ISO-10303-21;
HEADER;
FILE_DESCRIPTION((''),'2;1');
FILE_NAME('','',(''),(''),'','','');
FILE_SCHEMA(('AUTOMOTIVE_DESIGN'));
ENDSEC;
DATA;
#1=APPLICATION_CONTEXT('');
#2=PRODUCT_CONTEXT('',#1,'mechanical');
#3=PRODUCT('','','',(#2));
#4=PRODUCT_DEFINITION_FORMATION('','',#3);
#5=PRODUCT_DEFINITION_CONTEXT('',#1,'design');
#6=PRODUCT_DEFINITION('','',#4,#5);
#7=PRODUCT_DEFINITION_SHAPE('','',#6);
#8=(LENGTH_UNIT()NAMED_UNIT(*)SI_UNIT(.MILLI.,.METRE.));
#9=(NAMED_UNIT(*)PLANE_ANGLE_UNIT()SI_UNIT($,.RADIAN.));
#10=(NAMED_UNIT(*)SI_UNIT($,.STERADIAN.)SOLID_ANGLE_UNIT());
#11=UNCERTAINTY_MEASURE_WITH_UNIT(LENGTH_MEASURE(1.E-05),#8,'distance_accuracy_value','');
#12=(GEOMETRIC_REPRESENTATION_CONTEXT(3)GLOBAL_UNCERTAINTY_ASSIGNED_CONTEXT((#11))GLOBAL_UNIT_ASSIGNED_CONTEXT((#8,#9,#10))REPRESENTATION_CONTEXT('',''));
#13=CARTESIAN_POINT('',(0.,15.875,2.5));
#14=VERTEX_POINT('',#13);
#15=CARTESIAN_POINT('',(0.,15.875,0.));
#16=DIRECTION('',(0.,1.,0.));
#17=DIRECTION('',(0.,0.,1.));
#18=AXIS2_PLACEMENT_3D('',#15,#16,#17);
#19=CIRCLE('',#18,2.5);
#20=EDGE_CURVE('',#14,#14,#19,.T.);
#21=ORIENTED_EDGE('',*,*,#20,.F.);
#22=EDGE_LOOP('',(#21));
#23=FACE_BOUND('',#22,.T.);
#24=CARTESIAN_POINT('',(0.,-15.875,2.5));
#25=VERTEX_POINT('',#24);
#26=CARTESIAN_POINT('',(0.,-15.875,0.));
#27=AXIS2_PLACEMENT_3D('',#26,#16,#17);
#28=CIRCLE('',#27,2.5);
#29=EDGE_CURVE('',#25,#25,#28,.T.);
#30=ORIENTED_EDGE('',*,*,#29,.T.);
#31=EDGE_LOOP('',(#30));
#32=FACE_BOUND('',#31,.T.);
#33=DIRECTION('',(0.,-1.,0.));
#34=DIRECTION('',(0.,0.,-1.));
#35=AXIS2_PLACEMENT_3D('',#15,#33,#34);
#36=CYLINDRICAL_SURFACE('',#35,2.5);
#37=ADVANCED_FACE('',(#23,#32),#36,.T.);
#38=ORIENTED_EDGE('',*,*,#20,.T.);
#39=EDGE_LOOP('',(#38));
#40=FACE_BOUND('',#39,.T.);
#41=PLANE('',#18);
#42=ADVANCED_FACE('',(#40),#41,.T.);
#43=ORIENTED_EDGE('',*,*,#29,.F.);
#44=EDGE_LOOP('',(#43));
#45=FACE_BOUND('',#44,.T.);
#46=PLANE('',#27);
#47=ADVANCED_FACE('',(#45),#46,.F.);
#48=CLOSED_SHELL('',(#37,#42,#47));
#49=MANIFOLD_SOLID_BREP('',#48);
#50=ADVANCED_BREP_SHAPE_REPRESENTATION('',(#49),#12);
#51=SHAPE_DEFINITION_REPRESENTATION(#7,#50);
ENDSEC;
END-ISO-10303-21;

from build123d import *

# Parameters (mm, degrees)
SKETCH1_R           = 2.5
BOSS_EXTRUDE1_DEPTH = 15.875


with BuildPart() as part:
    # Sketch1 → Boss-Extrude1 (new body, symmetric)
    with BuildSketch(Plane(origin=(0, 0, 0), x_dir=(1, 0, 0), z_dir=(0, 1, 0))):
        Circle(SKETCH1_R)
    extrude(amount=BOSS_EXTRUDE1_DEPTH, both=True)


solid = part.part
